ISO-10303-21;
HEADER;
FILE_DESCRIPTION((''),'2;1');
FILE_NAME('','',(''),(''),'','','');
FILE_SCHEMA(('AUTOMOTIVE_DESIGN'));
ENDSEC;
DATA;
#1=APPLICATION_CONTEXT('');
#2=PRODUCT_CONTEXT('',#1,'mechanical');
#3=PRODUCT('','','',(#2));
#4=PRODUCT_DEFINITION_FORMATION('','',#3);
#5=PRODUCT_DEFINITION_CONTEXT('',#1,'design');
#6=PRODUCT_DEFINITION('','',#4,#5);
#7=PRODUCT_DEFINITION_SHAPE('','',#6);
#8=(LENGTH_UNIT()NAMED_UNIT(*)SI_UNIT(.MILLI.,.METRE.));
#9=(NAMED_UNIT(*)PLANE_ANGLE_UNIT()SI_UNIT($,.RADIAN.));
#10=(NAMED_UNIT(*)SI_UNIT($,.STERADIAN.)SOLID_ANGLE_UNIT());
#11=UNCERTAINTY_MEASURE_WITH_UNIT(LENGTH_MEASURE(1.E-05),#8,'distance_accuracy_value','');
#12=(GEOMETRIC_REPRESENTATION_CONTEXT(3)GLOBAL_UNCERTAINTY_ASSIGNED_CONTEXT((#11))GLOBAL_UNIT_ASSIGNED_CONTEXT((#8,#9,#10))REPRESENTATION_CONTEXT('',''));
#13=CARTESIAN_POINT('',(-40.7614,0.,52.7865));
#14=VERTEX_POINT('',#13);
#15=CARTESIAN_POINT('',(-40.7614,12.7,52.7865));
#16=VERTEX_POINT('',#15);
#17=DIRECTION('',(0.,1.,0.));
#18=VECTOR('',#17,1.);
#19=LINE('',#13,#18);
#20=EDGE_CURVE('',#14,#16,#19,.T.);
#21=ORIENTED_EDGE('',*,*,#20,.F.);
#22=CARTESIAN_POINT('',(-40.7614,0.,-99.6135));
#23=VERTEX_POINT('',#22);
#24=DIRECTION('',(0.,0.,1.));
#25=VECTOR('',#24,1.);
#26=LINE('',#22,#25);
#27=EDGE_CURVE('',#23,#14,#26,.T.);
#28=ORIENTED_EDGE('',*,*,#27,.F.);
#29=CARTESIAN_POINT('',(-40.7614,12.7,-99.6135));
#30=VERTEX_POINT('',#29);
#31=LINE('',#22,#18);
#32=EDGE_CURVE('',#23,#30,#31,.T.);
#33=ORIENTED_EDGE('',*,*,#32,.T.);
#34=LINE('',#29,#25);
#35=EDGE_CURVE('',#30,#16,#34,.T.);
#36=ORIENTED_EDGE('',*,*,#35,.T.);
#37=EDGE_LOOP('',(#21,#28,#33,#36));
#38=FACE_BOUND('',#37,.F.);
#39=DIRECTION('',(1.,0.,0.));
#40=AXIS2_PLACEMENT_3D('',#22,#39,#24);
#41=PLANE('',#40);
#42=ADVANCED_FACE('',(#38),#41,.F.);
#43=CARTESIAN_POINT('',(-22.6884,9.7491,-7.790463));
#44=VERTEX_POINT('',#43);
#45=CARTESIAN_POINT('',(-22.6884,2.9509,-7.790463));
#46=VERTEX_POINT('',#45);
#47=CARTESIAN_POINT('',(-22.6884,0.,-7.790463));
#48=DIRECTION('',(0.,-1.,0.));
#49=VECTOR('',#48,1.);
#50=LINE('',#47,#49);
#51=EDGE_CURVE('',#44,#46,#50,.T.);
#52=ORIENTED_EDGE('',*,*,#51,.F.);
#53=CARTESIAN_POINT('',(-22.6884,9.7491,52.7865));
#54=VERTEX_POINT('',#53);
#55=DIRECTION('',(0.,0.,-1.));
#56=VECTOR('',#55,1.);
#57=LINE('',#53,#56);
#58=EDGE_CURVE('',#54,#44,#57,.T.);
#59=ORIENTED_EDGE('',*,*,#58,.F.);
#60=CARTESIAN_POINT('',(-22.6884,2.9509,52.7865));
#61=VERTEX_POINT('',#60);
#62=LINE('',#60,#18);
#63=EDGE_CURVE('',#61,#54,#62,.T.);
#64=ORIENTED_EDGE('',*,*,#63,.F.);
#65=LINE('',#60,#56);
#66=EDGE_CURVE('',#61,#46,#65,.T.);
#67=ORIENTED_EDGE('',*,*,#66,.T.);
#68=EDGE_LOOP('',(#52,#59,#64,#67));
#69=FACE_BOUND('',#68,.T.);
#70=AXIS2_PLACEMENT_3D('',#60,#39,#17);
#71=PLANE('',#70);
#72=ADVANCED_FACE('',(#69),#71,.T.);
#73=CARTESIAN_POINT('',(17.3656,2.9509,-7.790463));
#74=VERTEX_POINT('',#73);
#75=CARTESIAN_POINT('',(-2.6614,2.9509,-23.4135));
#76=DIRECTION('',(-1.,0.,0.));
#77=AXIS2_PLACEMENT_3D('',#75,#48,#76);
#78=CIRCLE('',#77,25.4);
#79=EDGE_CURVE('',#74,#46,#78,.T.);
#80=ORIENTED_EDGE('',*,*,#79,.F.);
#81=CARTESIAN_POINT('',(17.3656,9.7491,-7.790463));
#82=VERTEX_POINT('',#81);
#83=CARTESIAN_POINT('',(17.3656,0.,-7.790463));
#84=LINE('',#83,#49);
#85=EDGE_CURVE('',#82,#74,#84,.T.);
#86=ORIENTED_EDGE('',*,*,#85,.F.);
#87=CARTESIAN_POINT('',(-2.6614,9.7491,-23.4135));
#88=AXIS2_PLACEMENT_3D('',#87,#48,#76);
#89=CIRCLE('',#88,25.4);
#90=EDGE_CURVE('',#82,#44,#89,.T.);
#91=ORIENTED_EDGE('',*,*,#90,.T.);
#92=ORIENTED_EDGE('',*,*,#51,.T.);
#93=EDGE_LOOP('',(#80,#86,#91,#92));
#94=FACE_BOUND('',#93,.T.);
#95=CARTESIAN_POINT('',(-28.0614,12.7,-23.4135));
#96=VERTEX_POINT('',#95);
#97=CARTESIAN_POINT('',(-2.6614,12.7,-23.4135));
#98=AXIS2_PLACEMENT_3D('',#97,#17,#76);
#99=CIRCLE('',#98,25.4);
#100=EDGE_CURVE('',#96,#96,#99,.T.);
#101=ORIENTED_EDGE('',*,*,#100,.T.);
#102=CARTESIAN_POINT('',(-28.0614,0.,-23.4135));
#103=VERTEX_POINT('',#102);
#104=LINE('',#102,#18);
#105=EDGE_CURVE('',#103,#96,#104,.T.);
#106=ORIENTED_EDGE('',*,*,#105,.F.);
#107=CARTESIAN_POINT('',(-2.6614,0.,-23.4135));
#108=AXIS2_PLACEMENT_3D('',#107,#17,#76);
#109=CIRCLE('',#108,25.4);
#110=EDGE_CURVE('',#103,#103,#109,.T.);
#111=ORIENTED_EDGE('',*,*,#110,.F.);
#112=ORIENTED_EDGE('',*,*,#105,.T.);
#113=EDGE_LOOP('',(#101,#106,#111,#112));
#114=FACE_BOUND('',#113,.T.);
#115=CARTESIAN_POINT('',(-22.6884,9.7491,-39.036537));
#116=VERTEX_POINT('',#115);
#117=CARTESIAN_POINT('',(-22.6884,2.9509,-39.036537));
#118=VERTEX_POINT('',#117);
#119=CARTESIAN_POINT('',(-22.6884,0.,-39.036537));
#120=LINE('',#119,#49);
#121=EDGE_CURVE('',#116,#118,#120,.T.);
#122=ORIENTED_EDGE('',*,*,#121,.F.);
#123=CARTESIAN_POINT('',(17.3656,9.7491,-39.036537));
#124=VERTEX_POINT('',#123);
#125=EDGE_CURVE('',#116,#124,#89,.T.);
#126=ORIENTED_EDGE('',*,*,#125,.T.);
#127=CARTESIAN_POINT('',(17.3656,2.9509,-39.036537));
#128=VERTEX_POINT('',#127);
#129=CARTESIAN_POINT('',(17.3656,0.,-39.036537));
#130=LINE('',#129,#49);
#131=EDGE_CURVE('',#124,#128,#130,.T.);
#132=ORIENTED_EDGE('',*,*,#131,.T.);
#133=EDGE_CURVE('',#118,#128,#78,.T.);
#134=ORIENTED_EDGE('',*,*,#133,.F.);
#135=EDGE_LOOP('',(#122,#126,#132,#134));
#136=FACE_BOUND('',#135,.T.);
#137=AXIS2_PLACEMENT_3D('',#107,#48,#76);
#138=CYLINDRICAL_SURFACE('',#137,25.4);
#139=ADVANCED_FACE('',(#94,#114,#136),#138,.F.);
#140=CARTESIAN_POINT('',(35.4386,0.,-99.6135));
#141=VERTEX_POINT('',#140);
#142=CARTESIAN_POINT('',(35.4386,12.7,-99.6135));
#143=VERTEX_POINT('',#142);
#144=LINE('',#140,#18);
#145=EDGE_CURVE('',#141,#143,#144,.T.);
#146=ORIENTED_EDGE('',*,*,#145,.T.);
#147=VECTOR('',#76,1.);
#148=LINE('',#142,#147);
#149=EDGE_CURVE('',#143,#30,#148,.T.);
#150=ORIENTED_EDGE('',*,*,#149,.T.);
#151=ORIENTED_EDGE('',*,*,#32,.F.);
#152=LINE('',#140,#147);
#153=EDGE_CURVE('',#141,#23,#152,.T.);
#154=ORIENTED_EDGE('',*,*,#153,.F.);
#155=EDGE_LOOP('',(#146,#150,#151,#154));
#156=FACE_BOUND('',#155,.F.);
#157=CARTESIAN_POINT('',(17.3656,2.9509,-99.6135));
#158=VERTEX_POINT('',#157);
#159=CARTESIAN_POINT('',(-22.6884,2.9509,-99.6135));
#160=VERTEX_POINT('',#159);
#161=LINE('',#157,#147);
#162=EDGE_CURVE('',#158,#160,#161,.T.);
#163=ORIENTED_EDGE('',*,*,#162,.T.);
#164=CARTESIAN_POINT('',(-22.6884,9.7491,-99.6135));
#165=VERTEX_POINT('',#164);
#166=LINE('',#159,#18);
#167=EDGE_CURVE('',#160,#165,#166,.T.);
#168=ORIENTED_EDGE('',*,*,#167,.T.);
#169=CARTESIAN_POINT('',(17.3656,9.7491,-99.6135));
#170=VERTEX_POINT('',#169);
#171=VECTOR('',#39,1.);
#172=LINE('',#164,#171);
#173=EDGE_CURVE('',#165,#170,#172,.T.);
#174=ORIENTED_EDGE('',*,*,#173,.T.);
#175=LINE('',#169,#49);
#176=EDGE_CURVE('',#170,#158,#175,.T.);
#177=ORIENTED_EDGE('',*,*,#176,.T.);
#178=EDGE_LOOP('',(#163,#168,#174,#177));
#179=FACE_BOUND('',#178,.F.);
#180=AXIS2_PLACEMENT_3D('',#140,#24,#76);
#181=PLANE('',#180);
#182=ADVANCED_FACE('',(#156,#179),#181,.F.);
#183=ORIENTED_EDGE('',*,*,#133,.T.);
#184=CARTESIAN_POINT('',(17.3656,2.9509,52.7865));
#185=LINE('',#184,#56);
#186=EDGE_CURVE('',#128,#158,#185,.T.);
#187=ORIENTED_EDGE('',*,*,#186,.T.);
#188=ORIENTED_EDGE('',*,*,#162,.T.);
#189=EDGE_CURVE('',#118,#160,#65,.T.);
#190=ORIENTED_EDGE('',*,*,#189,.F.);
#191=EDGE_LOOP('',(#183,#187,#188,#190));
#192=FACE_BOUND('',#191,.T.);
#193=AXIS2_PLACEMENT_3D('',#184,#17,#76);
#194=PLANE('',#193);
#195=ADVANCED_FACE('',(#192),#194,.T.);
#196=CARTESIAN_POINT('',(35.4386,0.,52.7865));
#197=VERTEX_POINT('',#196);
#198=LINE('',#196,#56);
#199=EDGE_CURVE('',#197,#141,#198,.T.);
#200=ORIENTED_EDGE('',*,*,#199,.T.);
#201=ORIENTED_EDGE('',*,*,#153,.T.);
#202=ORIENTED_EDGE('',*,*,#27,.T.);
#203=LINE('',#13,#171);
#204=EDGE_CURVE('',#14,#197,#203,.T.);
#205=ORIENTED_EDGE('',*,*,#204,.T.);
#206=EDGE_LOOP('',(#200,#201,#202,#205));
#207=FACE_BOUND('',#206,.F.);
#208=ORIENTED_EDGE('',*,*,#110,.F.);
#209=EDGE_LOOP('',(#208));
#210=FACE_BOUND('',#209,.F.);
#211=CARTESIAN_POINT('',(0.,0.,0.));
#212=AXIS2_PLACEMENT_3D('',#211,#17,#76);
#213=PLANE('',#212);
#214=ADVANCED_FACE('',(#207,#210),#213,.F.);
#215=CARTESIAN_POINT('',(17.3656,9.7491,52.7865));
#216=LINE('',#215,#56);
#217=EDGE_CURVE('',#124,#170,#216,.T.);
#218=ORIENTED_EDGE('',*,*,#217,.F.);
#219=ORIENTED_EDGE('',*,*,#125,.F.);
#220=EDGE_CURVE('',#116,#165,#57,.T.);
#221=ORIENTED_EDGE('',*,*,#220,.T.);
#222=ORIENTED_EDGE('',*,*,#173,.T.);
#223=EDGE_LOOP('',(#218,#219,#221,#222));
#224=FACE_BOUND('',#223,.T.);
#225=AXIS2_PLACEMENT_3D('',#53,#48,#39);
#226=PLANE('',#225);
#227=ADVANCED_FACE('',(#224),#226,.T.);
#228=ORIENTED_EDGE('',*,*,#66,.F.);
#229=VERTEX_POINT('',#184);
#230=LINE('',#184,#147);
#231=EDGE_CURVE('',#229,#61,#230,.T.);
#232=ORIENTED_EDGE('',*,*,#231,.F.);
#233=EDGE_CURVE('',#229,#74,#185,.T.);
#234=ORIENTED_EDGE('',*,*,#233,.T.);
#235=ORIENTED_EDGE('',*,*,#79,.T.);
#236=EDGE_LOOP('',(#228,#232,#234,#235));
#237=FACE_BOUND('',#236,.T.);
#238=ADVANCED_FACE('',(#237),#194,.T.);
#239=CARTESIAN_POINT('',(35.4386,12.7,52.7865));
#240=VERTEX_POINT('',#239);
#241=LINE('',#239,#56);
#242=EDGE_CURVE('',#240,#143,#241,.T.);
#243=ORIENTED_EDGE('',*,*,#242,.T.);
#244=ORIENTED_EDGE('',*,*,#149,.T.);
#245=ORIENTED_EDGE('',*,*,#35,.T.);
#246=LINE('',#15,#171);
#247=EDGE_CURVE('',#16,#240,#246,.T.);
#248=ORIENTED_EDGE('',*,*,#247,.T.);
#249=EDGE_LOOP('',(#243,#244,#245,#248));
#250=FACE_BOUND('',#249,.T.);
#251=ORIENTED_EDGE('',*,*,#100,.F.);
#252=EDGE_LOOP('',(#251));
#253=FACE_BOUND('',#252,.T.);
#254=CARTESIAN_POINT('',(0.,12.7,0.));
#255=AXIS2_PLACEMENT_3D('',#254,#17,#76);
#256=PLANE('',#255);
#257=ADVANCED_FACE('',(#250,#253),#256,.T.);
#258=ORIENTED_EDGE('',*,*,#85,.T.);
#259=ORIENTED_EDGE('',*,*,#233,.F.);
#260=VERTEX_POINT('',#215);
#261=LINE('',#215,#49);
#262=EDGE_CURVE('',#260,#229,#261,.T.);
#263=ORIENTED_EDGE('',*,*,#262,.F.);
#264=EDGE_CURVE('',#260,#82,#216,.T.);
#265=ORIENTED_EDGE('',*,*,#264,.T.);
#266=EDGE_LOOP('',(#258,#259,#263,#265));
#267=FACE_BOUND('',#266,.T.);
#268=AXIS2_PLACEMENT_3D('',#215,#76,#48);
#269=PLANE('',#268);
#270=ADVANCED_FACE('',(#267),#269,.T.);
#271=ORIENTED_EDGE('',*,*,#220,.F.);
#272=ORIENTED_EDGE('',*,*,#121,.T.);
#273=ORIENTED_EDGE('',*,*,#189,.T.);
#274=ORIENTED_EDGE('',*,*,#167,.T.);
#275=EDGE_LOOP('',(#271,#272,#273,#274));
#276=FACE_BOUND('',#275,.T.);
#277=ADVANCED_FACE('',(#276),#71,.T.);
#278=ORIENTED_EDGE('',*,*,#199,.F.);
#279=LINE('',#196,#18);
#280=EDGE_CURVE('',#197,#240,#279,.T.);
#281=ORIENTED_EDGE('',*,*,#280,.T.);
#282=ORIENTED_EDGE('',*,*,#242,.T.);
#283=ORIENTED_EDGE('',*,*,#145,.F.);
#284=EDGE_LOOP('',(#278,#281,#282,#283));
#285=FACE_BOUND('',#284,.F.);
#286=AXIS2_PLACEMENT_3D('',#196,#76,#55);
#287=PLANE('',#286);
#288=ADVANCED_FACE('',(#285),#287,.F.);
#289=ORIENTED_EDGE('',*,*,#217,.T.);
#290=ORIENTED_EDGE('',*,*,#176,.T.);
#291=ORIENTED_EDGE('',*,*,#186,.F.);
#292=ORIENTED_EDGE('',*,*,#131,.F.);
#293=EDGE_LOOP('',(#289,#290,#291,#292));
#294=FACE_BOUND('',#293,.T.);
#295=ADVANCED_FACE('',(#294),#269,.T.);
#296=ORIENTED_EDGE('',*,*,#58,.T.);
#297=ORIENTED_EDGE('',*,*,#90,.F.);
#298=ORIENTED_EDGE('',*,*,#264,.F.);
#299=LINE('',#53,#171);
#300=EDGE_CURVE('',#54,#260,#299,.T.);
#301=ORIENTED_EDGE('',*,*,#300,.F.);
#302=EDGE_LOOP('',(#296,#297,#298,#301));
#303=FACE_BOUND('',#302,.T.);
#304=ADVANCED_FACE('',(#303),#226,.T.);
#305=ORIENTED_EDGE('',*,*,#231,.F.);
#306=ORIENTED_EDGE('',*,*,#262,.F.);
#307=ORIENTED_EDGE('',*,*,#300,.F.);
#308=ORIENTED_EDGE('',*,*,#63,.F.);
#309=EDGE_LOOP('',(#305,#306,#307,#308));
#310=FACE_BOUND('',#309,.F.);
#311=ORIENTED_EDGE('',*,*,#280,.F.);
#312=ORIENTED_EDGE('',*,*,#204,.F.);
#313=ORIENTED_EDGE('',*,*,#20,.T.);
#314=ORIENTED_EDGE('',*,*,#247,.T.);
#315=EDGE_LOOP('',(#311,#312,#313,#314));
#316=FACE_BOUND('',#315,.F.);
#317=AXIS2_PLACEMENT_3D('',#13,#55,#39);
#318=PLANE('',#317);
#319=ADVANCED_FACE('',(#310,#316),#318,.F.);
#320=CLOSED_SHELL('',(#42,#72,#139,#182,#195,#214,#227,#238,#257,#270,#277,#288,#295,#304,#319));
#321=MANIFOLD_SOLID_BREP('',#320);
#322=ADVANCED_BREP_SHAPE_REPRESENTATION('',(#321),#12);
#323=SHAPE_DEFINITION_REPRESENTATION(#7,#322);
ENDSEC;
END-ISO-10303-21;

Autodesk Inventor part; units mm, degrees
ref_plane "YZ Plane" through (0, 0, 0) normal (1, 0, 0) x (0, 1, 0)
ref_plane "XZ Plane" through (0, 0, 0) normal (0, 1, 0) x (-1, 0, 0)
ref_plane "XY Plane" through (0, 0, 0) normal (0, 0, 1) x (1, 0, 0)
sketch "Sketch1" plane through (0, 0, 0) normal (0, 1, 0) x (-1, 0, 0)
  line L0 (40.7614, 52.7865) -> (-35.4386, 52.7865)
  line L1 (-35.4386, 52.7865) -> (-35.4386, -99.6135)
  line L2 (-35.4386, -99.6135) -> (40.7614, -99.6135)
  line L3 (40.7614, -99.6135) -> (40.7614, 52.7865)
  circle A0 centre (2.6614, -23.4135) radius 25.4
  point P0 (0, 0)
  dimension "d0" = 152.4
  dimension "d1" = 76.2
  dimension "d2" = 50.8
  dimension "d5" = 76.2
  dimension "d6" = 38.1
extrude "Extrusion1" add sketch "Sketch1" along normal blind 12.7
sketch "Sketch2" plane through (-40.7614, 0, 52.7865) normal (0, 0, 1) x (1, 0, 0)
  line L0 (18.073, 9.7491) -> (58.127, 9.7491)
  line L1 (58.127, 9.7491) -> (58.127, 2.9509)
  line L2 (58.127, 2.9509) -> (18.073, 2.9509)
  line L3 (18.073, 2.9509) -> (18.073, 9.7491)
  line L4 (0, 12.7) -> (76.2, 12.7) projected
  line L5 (76.2, 0) -> (76.2, 12.7) projected
  line L6 (0, 0) -> (76.2, 0) projected
  line L7 (0, 0) -> (0, 12.7) projected
  point P0 (40.7614, 0)
  dimension "d9" = 2.9509
  dimension "d10" = 18.073
  dimension "d12" = 2.9509
  dimension "d13" = 18.073
extrude "Extrusion2" cut sketch "Sketch2" against normal up to surface (152.4 mm away) contours L0 L1 L2 L3
equation "\"d1\" = 0.5 * d0"
equation "\"d5\" = 0.5 * d0"
equation "\"d6\" = 0.5 * d1"
equation "\"d12\" = d9"
equation "\"d13\" = d10"
properties part number "Peg toy top"
